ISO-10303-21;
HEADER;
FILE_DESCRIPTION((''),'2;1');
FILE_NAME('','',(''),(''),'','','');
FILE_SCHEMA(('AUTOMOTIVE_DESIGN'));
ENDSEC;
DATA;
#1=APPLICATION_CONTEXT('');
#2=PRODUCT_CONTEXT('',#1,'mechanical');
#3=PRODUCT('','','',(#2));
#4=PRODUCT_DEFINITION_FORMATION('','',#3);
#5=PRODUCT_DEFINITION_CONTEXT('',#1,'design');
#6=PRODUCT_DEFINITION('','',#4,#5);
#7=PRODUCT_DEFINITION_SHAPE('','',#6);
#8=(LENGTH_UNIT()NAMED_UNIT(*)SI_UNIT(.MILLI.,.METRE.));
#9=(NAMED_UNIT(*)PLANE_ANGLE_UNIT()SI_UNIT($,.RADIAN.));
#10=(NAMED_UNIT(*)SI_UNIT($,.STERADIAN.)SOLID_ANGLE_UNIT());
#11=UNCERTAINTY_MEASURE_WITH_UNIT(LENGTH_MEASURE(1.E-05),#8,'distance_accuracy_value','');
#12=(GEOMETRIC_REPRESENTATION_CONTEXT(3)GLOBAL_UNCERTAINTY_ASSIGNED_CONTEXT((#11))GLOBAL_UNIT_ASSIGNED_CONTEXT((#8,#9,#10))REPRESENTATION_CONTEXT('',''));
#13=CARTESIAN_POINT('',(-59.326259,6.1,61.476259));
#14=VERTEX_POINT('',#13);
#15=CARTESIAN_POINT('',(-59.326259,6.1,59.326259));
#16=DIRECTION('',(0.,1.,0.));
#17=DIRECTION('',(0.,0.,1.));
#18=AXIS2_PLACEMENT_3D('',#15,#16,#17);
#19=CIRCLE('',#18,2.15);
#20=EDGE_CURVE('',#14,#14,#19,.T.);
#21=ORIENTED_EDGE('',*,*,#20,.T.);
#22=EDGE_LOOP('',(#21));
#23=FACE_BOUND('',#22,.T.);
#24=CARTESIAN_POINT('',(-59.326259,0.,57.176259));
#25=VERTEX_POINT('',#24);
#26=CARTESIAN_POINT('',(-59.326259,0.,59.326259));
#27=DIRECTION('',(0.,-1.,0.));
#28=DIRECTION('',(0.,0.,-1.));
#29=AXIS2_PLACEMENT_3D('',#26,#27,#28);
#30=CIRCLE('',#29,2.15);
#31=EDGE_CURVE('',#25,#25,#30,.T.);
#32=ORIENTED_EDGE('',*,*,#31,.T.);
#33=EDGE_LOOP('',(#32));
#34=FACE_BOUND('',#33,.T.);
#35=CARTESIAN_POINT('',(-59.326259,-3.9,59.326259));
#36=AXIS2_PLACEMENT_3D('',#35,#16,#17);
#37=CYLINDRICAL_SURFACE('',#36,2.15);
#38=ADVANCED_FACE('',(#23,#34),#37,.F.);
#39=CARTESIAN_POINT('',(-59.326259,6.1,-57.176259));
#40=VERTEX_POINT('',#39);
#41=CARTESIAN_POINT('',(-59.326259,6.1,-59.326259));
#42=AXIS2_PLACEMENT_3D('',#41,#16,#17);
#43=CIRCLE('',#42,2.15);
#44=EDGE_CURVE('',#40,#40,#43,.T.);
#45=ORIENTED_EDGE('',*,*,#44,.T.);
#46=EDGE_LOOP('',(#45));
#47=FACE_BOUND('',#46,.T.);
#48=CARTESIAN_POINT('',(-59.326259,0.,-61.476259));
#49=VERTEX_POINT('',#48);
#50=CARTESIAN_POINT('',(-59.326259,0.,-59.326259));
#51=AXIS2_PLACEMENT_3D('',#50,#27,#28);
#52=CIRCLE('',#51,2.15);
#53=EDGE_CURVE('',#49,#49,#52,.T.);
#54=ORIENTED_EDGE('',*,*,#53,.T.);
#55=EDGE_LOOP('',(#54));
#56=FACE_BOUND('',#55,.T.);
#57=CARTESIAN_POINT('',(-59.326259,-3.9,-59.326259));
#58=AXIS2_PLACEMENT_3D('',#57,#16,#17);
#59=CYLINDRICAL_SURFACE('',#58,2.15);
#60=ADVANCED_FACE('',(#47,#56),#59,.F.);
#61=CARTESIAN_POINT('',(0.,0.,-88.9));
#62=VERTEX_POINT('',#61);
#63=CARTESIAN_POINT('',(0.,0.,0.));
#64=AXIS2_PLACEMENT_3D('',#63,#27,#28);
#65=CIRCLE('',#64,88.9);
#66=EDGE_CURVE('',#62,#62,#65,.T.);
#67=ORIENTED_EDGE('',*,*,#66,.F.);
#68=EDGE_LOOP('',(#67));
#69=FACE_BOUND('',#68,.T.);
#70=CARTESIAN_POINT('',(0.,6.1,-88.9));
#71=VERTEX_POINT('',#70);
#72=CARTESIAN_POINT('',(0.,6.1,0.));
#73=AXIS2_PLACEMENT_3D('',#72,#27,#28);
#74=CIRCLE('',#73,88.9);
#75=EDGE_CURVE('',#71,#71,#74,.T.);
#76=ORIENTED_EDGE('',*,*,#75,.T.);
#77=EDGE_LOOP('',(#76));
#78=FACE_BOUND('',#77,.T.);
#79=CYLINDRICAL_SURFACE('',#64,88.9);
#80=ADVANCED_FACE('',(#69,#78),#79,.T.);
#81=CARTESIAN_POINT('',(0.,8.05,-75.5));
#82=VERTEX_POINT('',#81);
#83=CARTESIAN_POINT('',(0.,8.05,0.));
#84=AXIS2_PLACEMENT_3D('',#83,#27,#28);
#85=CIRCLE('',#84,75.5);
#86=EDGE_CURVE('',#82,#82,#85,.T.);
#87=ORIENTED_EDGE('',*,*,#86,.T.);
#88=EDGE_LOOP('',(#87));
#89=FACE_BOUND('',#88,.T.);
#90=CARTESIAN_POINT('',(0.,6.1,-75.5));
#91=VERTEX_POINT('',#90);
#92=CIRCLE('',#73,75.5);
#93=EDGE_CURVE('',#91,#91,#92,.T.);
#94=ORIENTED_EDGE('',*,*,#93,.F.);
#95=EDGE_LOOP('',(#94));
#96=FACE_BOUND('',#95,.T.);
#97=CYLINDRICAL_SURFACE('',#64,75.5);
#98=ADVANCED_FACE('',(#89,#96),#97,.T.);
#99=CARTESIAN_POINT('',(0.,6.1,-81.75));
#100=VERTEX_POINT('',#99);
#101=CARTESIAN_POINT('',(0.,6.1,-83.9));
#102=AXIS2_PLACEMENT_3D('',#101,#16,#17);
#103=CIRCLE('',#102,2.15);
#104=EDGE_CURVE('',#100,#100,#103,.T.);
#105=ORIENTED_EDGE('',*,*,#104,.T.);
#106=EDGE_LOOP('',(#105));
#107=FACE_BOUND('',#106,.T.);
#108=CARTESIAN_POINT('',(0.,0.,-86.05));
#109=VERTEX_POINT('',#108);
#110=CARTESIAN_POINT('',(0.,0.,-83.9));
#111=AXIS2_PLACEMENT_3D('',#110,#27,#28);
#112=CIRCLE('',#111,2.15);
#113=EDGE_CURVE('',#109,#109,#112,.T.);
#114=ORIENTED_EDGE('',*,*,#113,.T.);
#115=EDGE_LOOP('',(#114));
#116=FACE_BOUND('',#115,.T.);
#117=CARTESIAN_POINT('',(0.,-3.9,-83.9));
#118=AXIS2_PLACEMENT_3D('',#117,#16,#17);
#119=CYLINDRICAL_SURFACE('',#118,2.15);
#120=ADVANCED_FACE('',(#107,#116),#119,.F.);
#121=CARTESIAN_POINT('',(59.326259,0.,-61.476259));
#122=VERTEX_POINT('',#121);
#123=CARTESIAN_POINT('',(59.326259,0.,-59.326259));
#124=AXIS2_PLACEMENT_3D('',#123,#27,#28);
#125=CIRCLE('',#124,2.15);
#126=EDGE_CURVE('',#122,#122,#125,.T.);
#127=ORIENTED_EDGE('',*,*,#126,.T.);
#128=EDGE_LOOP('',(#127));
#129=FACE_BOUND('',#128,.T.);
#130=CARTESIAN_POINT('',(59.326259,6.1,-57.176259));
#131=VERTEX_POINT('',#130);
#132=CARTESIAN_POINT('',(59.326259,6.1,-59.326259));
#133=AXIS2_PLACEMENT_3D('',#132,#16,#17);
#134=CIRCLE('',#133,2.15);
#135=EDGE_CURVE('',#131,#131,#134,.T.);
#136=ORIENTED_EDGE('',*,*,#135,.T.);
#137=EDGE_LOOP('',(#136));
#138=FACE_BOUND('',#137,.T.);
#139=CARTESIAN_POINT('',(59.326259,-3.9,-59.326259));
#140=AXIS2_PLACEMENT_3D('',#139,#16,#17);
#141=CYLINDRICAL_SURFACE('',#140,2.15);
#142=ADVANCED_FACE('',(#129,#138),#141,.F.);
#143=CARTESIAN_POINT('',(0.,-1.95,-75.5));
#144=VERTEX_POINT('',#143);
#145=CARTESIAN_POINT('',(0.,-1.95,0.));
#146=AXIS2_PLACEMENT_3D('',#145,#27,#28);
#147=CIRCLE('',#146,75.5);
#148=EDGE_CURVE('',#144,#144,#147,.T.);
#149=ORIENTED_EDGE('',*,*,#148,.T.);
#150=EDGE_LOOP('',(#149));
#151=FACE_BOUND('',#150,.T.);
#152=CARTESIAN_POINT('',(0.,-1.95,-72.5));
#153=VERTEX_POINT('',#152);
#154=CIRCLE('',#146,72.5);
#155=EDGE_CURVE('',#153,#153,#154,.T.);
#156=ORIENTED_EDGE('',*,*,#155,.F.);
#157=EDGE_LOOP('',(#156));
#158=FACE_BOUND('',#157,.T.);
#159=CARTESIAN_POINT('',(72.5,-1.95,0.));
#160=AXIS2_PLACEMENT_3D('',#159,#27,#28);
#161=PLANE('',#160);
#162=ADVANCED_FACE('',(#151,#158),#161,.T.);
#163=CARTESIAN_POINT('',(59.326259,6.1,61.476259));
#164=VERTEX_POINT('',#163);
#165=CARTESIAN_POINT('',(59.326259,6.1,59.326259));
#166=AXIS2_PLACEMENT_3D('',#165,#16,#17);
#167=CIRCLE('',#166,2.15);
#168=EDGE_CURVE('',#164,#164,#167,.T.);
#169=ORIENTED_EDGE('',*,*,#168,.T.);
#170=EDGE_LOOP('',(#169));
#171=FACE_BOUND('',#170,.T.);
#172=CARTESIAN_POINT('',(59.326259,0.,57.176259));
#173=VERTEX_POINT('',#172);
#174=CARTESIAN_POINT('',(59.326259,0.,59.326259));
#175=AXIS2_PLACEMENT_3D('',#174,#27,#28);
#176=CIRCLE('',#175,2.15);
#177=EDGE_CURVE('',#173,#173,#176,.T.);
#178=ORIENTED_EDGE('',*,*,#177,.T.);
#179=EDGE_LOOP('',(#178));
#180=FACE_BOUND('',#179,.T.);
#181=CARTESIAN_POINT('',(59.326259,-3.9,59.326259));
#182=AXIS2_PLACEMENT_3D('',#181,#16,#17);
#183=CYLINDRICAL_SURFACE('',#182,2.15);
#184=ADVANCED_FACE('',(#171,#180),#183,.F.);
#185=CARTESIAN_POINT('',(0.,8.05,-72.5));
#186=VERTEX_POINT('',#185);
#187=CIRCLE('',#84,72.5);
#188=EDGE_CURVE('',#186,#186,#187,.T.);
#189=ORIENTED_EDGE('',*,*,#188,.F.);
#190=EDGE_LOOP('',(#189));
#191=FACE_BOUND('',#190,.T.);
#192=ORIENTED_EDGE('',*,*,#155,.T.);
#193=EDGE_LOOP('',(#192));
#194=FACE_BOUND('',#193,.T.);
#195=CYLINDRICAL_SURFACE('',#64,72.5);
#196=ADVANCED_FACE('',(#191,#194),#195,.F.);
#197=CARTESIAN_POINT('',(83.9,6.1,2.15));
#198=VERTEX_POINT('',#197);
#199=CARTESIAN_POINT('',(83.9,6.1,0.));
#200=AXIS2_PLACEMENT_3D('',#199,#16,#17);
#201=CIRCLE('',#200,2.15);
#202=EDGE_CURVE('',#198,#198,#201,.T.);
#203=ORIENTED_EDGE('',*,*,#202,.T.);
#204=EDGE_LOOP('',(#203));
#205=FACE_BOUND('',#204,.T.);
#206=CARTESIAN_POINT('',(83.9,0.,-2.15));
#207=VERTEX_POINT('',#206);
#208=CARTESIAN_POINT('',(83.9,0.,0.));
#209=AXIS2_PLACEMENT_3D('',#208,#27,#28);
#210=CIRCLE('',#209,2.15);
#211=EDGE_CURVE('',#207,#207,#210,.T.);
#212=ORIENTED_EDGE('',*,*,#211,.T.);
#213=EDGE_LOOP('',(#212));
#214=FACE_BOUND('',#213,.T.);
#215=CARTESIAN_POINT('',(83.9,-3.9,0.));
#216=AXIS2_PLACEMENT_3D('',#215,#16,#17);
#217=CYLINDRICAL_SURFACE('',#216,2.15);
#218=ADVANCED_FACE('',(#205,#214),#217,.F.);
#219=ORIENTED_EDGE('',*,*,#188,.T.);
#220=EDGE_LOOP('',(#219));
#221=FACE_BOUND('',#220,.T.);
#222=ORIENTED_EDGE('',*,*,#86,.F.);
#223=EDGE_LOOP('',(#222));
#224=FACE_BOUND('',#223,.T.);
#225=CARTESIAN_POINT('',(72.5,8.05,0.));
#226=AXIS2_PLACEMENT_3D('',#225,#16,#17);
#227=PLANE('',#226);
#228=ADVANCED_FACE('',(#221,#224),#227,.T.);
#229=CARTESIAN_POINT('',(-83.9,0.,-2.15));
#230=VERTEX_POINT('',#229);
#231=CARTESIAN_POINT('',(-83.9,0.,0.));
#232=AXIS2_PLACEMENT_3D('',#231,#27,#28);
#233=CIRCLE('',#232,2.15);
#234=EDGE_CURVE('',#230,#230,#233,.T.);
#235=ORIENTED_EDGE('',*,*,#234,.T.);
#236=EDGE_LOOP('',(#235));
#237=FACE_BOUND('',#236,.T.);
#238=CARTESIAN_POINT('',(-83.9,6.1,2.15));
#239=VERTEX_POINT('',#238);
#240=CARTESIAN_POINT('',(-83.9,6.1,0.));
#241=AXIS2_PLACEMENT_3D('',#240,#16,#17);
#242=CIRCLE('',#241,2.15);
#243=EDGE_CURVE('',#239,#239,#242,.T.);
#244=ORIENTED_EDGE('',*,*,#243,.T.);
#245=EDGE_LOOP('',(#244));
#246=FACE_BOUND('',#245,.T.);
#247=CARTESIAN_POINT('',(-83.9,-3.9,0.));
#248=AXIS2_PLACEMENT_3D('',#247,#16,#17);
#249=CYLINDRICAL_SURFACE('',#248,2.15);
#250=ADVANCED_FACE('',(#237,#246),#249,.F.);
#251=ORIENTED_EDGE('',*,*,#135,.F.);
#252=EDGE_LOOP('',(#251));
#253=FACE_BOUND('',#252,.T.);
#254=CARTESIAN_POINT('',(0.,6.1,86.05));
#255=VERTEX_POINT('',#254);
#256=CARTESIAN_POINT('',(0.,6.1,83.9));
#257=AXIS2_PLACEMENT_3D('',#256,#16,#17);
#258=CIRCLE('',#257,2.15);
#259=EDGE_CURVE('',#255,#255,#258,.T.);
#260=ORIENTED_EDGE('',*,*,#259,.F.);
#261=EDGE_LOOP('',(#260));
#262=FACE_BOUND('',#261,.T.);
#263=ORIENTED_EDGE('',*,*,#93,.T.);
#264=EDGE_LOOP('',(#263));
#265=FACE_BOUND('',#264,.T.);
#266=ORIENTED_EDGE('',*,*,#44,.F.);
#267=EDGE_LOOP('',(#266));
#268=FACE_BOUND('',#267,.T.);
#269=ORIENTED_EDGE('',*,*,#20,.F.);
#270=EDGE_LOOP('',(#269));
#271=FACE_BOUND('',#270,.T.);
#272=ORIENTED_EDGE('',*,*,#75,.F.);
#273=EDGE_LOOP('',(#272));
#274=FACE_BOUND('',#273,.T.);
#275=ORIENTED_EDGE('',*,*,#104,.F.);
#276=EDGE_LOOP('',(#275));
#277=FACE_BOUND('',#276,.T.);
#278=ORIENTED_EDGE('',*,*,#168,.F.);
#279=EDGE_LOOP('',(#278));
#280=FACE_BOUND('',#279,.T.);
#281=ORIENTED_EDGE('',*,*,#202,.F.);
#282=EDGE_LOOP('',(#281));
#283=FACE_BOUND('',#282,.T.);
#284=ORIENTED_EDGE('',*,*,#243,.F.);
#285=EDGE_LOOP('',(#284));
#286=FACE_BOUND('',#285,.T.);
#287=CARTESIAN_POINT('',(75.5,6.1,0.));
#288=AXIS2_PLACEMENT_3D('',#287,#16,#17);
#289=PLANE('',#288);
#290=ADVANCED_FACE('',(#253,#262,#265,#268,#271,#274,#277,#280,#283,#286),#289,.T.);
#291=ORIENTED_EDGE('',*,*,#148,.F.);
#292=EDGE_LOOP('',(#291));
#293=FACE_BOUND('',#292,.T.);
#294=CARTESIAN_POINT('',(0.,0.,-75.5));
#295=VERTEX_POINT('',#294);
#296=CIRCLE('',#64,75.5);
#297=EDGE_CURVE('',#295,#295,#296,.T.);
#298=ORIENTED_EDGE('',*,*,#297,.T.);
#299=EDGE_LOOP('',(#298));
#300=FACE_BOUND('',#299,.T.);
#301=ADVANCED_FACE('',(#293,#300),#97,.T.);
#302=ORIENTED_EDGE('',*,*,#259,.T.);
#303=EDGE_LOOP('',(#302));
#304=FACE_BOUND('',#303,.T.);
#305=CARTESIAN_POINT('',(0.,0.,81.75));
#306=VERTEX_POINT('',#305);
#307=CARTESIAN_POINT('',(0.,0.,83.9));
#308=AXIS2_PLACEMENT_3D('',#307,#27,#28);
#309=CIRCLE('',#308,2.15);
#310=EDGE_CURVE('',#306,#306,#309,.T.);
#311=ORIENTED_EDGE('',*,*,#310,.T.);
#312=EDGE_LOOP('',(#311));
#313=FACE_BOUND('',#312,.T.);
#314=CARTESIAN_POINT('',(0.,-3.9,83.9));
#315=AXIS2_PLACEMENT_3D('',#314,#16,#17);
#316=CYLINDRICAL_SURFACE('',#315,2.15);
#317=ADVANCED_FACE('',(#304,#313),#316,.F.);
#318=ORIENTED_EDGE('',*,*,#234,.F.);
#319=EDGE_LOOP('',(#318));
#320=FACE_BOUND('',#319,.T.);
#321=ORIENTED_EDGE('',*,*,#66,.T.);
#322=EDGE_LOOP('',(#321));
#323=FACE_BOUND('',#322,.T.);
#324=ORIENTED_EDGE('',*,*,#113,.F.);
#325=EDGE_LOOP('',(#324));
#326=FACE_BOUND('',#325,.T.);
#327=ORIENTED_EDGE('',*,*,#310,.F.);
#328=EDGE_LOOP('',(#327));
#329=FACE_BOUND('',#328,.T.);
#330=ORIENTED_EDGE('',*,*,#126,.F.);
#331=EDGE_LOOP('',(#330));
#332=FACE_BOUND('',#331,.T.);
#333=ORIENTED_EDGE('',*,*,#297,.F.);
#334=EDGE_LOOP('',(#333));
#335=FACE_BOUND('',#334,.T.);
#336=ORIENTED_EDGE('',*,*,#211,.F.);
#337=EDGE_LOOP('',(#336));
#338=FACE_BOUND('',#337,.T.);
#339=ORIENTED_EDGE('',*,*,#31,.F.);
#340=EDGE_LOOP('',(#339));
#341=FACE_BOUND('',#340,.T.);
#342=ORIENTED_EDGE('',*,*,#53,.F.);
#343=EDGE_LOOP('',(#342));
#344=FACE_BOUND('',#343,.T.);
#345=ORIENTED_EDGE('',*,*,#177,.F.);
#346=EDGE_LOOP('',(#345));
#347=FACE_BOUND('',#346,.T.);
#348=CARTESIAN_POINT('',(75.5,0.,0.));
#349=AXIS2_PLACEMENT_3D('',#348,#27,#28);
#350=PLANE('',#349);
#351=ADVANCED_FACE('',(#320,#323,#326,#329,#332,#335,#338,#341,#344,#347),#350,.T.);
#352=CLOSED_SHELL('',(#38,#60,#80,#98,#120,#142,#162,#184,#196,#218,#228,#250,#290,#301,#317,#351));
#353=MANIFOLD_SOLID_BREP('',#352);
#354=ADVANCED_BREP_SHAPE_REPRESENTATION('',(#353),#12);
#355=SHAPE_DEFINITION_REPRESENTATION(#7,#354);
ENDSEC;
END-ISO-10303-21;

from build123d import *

# Parameters (mm, degrees)
SKETCH_2_R          = 2.15
CUT_EXTRUDE_1_DEPTH = 10


with BuildPart() as part:
    # 草图1 → 旋转1 (revolve)
    with BuildSketch(Plane.XY, mode=Mode.PRIVATE) as revolve_1_sk:
        Polygon((75.5, 0), (88.9, 0), (88.9, 6.1), (75.5, 6.1), (75.5, 8.05), (72.5, 8.05), (72.5, -1.95), (75.5, -1.95), align=None)
    revolve(revolve_1_sk.sketch.rotate(Axis((0, 0, 0), (0, 1, 0)), 90), axis=Axis((0, 0, 0), (0, 1, 0)))

    # 草图2 → 切除-拉伸1 (cut)
    with BuildSketch(Plane(origin=(0, 6.1, 0), x_dir=(1, 0, 0), z_dir=(0, 1, 0))):
        with Locations(Location((-83.9, 0, 0), (0, 0, 270))):
            Circle(SKETCH_2_R)
        with Locations(Location((-59.326258942, 59.326258942, 0), (0, 0, 270))):
            Circle(SKETCH_2_R)
        with Locations(Location((0, 83.9, 0), (0, 0, 270))):
            Circle(SKETCH_2_R)
        with Locations(Location((59.326258942, 59.326258942, 0), (0, 0, 270))):
            Circle(SKETCH_2_R)
        with Locations(Location((83.9, 0, 0), (0, 0, 270))):
            Circle(SKETCH_2_R)
        with Locations(Location((59.326258942, -59.326258942, 0), (0, 0, 270))):
            Circle(SKETCH_2_R)
        with Locations(Location((0, -83.9, 0), (0, 0, 270))):
            Circle(SKETCH_2_R)
        with Locations(Location((-59.326258942, -59.326258942, 0), (0, 0, 270))):
            Circle(SKETCH_2_R)
    extrude(amount=-CUT_EXTRUDE_1_DEPTH, mode=Mode.SUBTRACT)


solid = part.part
